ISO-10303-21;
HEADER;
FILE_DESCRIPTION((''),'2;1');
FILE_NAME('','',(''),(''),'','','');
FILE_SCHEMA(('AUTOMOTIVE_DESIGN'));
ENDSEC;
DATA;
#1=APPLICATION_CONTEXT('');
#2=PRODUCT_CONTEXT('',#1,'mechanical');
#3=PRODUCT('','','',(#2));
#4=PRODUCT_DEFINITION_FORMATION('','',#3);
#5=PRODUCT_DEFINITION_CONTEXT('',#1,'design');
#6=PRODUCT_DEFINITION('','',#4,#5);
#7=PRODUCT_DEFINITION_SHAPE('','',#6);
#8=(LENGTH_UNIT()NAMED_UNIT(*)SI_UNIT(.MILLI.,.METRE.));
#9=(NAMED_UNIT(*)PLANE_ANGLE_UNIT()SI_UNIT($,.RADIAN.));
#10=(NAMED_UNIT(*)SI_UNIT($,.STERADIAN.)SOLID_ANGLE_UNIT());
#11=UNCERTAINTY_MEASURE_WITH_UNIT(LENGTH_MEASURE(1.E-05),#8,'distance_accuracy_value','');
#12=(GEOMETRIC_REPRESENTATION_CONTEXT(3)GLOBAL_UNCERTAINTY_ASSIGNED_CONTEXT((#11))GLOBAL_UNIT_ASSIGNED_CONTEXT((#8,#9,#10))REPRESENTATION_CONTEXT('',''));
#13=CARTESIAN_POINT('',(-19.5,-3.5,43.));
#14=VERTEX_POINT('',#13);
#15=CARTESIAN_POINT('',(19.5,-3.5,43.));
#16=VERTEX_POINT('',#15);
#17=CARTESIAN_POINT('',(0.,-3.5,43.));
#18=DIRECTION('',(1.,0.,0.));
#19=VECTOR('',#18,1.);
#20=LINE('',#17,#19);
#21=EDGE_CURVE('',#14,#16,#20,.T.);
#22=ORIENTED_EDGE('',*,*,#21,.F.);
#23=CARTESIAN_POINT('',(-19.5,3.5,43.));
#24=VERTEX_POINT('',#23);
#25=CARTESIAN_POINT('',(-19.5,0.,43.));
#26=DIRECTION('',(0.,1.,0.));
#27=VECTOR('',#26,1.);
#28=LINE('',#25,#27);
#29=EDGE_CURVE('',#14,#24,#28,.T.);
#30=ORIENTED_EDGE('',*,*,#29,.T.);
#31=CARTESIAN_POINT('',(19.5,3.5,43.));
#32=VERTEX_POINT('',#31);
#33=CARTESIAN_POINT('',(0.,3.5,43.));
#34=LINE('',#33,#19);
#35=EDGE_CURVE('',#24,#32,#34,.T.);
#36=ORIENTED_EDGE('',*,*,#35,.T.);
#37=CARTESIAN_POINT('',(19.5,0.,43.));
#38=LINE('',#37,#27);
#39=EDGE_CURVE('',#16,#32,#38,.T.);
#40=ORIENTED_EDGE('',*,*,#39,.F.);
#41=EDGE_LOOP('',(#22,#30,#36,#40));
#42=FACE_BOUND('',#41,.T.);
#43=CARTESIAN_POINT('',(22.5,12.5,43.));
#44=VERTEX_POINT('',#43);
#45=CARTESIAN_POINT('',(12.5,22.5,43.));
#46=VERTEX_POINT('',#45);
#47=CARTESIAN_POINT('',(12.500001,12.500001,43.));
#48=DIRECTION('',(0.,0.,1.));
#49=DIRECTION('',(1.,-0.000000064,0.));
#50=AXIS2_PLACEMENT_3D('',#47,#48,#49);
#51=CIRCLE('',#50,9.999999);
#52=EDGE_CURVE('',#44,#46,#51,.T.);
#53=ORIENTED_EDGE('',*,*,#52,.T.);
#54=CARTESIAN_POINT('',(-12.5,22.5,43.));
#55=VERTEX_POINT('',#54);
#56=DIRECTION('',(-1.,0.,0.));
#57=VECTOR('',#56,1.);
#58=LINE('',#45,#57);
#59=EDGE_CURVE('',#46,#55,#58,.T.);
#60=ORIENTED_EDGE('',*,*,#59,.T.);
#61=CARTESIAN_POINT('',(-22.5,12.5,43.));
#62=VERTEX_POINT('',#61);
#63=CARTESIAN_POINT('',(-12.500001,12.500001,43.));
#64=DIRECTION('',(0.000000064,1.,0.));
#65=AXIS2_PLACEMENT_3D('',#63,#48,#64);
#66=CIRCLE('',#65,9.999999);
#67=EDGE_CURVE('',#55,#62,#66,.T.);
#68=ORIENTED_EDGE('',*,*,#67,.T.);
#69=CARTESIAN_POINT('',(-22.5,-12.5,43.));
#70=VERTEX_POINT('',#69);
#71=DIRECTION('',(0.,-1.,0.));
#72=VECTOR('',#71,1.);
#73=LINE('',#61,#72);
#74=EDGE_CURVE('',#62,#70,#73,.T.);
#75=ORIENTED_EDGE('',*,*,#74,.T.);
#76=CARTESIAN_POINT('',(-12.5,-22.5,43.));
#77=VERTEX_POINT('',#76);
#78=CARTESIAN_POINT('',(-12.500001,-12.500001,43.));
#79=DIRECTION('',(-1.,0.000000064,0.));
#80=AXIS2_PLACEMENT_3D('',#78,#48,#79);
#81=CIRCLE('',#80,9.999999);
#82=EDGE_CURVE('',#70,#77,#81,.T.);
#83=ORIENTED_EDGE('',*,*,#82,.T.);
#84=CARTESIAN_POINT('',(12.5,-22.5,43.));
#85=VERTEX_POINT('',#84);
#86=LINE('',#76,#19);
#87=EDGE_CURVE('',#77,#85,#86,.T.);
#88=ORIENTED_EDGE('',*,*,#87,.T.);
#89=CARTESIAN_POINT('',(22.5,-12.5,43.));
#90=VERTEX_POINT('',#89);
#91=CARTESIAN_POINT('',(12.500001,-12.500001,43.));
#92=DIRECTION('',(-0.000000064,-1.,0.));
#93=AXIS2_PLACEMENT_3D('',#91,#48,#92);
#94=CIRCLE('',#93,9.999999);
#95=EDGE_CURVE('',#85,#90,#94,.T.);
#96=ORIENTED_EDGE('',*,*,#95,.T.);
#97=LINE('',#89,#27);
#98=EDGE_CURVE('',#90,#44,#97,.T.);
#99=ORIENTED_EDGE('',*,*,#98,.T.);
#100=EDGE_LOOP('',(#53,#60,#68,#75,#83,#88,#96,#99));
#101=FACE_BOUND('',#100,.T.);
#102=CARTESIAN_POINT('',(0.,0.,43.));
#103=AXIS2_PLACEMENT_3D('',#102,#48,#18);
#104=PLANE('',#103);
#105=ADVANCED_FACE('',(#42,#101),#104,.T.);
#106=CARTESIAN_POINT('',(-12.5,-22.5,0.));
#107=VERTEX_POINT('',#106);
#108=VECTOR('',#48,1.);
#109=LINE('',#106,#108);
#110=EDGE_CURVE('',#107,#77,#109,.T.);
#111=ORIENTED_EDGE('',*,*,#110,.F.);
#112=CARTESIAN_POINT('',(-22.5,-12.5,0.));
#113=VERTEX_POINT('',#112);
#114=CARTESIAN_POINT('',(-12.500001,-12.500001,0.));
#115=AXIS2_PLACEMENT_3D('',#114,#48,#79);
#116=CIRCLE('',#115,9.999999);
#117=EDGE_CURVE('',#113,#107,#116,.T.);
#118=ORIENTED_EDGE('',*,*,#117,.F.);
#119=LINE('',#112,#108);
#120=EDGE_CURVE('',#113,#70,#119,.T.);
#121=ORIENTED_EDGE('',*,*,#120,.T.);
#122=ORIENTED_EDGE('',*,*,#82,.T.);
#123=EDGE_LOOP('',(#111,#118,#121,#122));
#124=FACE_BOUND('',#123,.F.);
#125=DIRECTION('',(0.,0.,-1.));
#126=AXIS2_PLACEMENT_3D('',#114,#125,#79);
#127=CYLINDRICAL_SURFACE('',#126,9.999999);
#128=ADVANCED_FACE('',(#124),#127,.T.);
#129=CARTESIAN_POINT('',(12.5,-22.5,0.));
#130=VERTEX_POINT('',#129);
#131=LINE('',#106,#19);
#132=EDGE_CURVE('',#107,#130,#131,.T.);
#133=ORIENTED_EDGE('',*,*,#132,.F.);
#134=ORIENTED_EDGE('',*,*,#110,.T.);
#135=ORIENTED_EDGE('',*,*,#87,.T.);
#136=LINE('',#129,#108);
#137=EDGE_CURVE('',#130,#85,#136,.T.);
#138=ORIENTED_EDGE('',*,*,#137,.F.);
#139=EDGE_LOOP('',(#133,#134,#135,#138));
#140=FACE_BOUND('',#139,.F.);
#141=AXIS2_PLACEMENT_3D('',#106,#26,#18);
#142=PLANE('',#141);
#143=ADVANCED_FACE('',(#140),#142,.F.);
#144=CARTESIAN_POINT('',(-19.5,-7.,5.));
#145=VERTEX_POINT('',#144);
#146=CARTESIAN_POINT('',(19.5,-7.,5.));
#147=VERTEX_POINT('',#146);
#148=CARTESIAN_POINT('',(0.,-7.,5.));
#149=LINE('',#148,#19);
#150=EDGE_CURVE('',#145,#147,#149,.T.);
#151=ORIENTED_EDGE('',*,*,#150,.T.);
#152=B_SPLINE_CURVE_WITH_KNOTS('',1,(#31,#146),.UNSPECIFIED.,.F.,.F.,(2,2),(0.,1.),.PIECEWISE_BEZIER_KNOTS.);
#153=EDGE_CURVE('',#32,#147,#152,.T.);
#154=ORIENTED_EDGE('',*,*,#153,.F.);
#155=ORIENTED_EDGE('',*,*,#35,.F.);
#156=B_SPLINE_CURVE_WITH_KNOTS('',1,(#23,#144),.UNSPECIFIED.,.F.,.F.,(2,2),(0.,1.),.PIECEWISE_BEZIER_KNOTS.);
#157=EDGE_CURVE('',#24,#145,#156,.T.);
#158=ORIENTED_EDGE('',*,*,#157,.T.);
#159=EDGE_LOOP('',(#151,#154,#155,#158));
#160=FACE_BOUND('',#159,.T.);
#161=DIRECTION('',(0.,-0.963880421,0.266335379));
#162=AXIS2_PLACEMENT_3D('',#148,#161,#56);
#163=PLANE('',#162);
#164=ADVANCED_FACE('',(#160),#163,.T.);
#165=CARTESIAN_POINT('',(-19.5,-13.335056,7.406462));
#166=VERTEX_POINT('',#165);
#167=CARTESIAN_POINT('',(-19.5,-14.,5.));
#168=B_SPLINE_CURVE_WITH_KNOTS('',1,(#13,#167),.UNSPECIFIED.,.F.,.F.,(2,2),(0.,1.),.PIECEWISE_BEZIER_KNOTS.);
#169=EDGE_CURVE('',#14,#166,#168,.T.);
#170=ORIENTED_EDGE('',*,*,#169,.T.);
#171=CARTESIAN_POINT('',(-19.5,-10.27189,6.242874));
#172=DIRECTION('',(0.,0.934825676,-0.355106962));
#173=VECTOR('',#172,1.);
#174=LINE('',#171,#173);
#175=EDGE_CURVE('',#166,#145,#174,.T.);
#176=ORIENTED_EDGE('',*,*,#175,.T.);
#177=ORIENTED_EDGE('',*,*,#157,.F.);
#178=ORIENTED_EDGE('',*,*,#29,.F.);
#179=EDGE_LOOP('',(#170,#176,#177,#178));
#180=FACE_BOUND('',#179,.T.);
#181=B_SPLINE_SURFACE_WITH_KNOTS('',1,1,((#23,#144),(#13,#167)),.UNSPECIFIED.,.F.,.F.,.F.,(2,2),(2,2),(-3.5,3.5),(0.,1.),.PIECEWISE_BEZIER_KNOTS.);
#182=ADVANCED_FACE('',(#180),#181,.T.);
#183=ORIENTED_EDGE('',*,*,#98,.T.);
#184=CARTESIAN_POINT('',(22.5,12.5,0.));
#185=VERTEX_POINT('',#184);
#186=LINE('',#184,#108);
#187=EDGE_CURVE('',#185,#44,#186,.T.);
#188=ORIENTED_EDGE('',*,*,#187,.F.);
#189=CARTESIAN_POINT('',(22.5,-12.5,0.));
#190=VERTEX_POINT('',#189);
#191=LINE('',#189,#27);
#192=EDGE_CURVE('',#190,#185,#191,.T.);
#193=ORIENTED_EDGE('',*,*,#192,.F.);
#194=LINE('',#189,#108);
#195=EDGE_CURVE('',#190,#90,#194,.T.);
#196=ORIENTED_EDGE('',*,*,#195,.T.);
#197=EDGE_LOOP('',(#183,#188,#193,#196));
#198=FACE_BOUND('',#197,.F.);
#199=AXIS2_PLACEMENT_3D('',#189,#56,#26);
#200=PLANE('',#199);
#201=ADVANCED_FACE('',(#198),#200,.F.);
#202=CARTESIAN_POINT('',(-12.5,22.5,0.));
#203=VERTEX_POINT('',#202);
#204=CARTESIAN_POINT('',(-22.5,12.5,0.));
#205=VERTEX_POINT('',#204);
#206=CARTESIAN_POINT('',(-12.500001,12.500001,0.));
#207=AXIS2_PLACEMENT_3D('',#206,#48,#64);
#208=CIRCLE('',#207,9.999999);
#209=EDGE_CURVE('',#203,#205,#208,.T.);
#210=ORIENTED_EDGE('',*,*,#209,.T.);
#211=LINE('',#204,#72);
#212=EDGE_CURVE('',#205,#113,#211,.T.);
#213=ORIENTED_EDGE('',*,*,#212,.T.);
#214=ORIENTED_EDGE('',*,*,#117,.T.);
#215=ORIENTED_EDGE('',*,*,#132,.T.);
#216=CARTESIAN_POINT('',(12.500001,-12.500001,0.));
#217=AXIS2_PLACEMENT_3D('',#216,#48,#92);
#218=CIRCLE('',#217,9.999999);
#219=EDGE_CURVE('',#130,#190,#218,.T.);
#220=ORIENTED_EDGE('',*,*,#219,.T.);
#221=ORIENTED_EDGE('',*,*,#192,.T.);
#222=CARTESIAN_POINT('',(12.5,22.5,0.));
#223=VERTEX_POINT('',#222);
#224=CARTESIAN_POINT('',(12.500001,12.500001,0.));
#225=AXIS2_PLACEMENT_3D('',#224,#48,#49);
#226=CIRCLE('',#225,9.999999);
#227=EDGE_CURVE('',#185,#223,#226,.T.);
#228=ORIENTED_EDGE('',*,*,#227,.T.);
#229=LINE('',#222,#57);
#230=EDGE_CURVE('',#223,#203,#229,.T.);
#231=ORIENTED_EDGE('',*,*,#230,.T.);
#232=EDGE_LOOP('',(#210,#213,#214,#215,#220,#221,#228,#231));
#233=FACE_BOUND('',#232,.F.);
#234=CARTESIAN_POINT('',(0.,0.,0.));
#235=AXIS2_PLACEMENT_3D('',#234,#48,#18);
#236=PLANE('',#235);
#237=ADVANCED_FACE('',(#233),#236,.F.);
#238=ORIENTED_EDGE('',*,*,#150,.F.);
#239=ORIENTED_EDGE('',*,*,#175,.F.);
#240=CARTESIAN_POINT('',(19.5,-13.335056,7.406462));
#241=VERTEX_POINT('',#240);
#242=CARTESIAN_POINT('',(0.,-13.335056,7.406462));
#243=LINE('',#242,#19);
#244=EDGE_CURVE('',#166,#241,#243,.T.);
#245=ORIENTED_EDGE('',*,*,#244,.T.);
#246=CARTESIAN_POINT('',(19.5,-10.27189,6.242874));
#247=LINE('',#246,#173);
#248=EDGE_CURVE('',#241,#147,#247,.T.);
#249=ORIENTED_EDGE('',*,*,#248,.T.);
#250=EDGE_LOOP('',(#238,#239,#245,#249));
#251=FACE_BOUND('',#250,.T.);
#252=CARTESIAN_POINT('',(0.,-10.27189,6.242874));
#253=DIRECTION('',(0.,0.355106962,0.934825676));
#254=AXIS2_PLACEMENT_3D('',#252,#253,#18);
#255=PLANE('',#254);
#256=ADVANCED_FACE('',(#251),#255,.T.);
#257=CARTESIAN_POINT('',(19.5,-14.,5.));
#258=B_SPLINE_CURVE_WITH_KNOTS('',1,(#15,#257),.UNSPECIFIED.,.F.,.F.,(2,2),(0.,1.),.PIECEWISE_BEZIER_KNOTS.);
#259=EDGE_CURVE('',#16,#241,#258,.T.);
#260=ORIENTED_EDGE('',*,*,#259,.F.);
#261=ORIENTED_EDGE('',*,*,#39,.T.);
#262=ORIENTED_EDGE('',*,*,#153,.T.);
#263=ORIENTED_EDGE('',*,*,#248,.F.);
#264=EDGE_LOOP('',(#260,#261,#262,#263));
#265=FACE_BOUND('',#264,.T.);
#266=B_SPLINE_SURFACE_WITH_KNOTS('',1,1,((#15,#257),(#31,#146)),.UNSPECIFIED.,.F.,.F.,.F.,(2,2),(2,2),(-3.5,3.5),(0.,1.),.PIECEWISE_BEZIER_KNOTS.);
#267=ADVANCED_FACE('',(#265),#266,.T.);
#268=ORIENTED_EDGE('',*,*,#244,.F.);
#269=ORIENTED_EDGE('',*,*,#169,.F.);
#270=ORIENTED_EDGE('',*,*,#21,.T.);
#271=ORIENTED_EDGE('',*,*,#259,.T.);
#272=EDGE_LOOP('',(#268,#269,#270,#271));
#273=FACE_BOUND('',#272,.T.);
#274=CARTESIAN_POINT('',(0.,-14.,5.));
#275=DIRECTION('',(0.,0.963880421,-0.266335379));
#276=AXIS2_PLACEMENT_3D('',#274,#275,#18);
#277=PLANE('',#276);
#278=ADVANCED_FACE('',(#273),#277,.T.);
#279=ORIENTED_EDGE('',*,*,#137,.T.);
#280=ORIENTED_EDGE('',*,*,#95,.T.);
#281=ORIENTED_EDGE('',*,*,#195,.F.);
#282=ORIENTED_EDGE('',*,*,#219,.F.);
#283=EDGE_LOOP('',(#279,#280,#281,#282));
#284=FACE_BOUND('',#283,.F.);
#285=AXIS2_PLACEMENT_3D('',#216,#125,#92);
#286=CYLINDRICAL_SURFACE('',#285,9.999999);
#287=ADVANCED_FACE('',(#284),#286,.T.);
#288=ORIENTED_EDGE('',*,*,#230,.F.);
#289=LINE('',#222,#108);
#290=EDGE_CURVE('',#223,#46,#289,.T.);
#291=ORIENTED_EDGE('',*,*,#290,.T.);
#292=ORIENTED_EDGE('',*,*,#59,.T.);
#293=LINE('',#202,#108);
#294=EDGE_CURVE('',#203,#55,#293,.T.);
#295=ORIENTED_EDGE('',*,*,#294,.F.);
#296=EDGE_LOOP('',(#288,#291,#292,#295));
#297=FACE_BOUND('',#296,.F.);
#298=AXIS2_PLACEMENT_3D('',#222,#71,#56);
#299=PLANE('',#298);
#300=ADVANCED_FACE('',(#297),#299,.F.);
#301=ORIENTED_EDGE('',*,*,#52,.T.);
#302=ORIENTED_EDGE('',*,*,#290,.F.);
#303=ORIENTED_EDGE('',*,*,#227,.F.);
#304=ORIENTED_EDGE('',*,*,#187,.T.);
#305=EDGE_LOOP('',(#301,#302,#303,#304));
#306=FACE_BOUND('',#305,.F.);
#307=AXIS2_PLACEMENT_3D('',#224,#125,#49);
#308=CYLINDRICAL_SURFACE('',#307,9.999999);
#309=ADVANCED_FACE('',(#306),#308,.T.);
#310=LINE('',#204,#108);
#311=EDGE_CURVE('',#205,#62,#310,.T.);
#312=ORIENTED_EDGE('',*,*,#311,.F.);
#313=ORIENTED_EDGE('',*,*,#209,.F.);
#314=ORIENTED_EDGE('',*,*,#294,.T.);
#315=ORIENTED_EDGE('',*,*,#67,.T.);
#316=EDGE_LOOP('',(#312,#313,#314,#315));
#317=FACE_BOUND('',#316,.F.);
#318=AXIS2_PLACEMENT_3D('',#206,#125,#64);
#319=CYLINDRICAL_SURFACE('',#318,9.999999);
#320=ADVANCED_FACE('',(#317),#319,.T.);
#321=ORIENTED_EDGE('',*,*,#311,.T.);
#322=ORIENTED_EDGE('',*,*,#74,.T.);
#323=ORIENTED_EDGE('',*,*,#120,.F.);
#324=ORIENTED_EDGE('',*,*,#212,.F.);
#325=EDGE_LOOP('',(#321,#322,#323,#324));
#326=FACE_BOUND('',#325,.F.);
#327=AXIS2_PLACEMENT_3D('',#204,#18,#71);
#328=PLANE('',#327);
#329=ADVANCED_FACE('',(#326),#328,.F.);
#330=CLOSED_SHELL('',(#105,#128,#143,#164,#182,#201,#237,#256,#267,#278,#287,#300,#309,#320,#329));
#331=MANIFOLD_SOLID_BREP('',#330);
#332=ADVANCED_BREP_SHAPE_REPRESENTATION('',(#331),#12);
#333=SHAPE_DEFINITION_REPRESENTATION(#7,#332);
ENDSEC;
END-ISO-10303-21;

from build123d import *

# Parameters (mm, degrees)
F1_DEPTH = 43
F2_W     = 39
F2_H     = 7
F4_W     = 39
F4_H     = 7
F6_W     = 39
F6_H     = 7
F7_ANGLE = -20.8


with BuildPart() as f1:
    # F0 (on Top) → F1 (new body)
    with BuildSketch(Plane.XY):
        with BuildLine():
            Line((-12.5, -22.5), (12.5, -22.5))
            ThreePointArc((12.5, -22.5), (19.571068, -19.571068), (22.5, -12.5))
            Line((22.5, -12.5), (22.5, 12.5))
            ThreePointArc((22.5, 12.5), (19.571068, 19.571068), (12.5, 22.5))
            Line((12.5, 22.5), (-12.5, 22.5))
            ThreePointArc((-12.5, 22.5), (-19.571068, 19.571068), (-22.5, 12.5))
            Line((-22.5, 12.5), (-22.5, -12.5))
            ThreePointArc((-22.5, -12.5), (-19.571068, -19.571068), (-12.5, -22.5))
        make_face()
    extrude(amount=F1_DEPTH)

    # F2 (on face) → F5 section 0
    with BuildSketch(Plane.XY.offset(43)):
        Rectangle(F2_W, F2_H)
    # F4 (on offset) → F5 section 1
    with BuildSketch(Plane.XY.offset(5)):
        with Locations((0, -10.5)):
            Rectangle(F4_W, F4_H)
    loft(mode=Mode.SUBTRACT)

    # F6 (on face) → F7 (revolve)
    with BuildSketch(Plane.XY.offset(5)):
        with Locations((0, -10.5)):
            Rectangle(F6_W, F6_H)
    revolve(axis=Axis((0, -7, 5), (1, 0, 0)), revolution_arc=F7_ANGLE)


solid = f1.part
